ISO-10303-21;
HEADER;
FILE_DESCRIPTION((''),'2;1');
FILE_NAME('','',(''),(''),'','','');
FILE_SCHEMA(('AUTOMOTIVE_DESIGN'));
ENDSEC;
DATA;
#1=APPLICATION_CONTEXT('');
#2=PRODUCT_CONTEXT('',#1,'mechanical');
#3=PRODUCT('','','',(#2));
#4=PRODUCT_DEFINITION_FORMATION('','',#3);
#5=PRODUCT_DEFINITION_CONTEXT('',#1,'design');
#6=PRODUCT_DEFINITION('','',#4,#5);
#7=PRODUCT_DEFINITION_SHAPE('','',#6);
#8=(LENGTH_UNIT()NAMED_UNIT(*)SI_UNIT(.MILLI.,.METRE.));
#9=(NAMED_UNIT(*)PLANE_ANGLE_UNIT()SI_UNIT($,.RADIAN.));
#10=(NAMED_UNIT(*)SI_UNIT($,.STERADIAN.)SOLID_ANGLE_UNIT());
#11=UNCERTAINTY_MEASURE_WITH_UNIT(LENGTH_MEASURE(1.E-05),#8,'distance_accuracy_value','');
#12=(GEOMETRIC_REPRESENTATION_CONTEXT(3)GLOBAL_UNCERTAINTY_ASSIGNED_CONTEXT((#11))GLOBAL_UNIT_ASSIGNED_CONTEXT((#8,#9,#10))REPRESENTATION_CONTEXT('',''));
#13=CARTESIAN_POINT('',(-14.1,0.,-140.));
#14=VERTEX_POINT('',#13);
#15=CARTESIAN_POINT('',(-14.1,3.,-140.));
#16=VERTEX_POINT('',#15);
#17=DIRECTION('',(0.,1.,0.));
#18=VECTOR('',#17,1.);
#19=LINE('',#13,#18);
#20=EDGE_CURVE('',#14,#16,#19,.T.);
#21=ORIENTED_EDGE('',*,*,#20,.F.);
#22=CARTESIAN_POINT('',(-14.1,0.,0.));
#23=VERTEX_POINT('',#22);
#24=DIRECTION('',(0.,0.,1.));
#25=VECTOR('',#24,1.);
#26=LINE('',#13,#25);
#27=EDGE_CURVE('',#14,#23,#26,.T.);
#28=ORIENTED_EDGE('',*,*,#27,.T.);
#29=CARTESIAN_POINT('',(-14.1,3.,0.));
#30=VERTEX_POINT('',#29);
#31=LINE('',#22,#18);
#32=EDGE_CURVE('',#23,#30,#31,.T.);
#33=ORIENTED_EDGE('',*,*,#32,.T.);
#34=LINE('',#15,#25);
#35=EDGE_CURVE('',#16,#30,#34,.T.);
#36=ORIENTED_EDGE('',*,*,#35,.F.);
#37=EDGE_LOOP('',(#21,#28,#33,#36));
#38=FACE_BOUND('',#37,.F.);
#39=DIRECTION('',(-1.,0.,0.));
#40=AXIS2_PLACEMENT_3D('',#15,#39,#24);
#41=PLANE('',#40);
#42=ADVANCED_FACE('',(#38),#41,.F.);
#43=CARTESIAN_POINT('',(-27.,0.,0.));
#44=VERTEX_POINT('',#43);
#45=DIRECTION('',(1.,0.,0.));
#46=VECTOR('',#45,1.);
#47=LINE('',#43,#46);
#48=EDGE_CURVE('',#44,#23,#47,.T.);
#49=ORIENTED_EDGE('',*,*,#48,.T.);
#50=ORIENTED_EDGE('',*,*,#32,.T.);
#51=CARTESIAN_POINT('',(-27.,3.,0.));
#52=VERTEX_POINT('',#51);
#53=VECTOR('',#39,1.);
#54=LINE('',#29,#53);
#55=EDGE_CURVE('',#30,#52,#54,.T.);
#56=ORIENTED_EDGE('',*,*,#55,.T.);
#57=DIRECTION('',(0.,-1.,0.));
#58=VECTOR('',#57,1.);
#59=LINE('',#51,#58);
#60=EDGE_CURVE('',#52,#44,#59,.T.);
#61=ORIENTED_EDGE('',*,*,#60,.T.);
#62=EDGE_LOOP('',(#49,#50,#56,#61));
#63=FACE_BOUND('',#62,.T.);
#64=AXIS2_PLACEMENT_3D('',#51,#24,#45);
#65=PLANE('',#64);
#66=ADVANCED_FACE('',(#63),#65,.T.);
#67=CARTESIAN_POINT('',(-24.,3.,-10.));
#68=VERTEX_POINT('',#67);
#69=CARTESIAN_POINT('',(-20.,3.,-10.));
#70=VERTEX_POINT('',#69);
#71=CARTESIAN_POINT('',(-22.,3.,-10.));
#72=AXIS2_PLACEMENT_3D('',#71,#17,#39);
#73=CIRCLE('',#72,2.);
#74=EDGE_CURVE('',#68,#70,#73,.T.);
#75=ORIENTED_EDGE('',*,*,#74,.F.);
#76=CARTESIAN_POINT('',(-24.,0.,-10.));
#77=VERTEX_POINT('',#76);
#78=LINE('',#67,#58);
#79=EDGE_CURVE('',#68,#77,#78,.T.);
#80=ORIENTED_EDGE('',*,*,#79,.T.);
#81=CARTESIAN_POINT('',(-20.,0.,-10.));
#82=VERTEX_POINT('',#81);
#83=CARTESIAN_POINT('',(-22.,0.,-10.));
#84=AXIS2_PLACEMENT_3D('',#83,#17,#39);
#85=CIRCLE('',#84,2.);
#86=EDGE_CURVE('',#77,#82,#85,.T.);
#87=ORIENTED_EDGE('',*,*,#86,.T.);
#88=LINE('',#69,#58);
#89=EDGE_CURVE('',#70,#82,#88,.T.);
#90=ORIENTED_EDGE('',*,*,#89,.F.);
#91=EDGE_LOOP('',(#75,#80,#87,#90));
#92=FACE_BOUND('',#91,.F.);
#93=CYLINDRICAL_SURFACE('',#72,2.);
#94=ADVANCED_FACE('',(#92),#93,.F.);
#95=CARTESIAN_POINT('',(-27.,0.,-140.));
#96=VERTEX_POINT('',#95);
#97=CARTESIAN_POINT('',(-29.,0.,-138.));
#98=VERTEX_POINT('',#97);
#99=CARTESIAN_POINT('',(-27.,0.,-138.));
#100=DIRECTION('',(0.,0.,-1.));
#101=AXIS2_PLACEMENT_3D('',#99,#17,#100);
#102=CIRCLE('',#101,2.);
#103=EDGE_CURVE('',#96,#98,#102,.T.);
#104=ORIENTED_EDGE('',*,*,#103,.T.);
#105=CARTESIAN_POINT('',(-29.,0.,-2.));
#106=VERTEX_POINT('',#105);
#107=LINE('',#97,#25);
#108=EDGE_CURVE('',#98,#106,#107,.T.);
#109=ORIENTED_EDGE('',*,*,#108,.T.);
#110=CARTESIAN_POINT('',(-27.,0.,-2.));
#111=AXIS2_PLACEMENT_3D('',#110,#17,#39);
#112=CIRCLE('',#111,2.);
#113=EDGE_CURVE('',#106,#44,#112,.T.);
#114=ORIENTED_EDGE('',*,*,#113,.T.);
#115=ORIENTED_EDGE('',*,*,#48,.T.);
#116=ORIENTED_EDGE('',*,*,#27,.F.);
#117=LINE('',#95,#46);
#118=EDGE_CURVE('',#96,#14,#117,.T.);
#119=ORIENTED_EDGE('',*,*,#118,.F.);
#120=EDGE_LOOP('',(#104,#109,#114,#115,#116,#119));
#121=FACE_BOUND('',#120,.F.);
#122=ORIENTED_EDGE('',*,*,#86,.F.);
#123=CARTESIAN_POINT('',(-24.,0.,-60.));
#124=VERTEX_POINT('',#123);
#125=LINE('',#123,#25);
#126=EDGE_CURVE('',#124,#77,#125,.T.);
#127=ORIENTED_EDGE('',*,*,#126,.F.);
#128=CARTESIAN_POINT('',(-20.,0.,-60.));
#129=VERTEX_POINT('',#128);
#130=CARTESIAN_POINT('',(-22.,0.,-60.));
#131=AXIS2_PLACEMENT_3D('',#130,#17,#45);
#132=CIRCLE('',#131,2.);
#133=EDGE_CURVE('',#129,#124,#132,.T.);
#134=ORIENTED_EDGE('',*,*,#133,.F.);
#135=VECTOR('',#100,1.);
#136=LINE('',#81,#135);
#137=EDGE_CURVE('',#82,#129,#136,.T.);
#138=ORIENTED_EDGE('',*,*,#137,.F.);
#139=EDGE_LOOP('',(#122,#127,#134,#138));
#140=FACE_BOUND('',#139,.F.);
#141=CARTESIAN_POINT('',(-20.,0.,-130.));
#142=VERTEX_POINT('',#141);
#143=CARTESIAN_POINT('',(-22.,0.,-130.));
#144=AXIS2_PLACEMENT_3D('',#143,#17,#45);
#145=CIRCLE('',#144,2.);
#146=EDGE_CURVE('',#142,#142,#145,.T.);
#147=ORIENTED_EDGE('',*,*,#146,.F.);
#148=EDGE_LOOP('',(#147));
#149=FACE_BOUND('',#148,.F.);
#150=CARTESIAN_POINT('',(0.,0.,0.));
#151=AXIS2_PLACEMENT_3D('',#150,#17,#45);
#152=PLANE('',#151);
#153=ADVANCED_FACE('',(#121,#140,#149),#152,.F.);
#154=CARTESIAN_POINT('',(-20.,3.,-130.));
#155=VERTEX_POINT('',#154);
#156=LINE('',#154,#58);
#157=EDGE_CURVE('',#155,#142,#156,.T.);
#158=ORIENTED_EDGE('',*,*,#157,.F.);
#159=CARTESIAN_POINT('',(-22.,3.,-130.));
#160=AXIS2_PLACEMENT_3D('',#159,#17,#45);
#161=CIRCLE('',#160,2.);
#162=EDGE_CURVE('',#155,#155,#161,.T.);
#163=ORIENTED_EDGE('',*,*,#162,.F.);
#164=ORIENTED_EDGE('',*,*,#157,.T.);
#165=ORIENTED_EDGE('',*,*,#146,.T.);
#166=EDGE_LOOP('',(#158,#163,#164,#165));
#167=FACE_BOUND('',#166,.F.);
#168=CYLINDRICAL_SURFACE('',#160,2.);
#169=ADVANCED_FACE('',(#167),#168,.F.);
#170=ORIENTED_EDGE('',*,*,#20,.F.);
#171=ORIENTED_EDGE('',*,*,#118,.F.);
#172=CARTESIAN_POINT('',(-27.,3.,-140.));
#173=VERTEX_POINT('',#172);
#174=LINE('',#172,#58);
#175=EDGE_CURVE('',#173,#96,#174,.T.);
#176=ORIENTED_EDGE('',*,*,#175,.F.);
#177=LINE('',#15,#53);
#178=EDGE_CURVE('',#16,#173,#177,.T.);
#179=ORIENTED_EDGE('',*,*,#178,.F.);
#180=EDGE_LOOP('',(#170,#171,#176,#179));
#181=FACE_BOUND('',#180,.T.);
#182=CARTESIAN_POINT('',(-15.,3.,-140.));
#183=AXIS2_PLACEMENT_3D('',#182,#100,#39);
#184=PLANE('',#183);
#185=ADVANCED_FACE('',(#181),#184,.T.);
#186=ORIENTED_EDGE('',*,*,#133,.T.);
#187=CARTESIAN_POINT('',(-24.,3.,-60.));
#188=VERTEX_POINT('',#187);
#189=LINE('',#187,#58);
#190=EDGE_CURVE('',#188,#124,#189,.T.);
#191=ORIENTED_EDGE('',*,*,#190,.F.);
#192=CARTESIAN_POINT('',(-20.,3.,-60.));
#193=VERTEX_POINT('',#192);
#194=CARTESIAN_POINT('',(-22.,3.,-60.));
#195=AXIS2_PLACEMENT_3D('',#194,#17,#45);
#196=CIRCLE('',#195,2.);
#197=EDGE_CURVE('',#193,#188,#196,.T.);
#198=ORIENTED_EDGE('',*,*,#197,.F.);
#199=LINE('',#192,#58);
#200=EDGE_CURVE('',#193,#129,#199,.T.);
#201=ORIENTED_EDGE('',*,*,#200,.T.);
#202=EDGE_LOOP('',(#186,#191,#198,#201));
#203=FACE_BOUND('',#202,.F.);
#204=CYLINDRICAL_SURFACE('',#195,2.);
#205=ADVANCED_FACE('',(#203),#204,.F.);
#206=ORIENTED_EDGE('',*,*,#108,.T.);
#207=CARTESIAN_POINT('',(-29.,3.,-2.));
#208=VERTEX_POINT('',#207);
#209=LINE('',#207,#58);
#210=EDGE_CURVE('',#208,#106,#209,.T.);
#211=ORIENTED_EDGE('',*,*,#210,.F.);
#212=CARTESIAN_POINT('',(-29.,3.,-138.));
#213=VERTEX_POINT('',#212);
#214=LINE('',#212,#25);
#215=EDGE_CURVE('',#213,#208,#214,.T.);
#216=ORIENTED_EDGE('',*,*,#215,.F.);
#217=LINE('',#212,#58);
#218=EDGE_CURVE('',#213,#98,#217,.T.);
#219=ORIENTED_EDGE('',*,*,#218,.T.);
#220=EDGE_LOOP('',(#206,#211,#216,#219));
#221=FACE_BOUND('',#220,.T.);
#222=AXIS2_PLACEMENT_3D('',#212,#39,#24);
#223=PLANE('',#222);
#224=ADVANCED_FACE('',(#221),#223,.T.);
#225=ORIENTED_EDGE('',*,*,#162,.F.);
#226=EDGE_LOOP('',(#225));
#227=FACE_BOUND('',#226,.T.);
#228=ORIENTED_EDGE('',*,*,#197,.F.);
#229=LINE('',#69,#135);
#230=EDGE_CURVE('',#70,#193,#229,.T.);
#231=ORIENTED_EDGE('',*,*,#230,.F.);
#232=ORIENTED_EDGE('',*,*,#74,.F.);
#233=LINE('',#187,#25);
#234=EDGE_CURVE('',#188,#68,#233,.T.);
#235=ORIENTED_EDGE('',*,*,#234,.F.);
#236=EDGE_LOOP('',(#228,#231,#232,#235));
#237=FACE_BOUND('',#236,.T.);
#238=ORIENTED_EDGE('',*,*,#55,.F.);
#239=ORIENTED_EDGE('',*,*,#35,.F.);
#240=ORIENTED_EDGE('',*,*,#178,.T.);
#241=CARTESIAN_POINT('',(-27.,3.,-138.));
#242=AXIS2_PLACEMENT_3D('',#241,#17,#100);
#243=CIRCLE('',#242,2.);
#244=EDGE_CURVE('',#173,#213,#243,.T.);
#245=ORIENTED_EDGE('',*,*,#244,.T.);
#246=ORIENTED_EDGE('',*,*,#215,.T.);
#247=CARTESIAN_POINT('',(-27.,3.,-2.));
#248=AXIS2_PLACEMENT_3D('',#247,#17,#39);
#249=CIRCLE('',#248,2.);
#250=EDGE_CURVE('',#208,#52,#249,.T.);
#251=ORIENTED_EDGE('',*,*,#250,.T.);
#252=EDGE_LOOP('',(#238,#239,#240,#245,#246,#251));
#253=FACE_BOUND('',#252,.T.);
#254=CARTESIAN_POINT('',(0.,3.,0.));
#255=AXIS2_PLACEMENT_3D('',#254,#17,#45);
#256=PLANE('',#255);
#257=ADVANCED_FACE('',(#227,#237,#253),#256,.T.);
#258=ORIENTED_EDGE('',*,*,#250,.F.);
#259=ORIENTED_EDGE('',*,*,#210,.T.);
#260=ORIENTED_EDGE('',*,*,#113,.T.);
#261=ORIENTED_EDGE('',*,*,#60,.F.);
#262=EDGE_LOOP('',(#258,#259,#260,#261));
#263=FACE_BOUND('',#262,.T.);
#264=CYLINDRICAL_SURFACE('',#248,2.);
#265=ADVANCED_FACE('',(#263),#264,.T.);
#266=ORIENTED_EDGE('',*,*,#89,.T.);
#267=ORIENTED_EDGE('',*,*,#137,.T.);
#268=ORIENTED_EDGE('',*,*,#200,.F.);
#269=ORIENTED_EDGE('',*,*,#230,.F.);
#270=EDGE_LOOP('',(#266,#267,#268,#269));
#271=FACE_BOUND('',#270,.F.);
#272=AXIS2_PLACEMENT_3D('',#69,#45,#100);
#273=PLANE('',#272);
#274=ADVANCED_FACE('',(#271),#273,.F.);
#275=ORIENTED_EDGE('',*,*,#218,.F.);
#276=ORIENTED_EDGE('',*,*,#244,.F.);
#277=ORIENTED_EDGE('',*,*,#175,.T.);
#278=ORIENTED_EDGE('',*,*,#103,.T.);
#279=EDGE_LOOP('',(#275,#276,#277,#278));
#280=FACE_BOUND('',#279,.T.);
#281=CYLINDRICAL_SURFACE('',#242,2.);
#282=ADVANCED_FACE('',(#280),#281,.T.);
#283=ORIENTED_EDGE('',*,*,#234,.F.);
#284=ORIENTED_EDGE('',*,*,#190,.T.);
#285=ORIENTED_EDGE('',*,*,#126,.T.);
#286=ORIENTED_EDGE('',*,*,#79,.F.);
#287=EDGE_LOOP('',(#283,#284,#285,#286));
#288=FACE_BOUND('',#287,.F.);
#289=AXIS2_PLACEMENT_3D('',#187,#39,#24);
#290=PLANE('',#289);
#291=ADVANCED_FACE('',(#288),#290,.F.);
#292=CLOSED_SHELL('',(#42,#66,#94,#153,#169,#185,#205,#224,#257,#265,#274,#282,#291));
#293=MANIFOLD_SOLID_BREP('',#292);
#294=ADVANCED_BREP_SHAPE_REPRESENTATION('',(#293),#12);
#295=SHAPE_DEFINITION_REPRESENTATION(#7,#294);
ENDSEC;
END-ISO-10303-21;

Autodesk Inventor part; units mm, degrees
ref_plane "YZ Plane" through (0, 0, 0) normal (1, 0, 0) x (0, 1, 0)
ref_plane "XZ Plane" through (0, 0, 0) normal (0, 1, 0) x (-1, 0, 0)
ref_plane "XY Plane" through (0, 0, 0) normal (0, 0, 1) x (1, 0, 0)
sketch "草圖1" plane through (0, 0, 0) normal (0, 1, 0) x (-1, 0, 0)
  line L0 (0, 0) -> (0, -140)
  line L1 (15, -140) -> (15, 0)
  line L2 (6, 0) -> (6, 3)
  line L3 (6, 3) -> (14.1, 3)
  line L4 (14.1, 3) -> (14.1, 0)
  line L5 (15, 0) -> (14.1, 0)
  line L6 (6, 0) -> (0, 0)
  line L7 (6, -140) -> (6, -143)
  line L8 (6, -143) -> (14.1, -143)
  line L9 (14.1, -143) -> (14.1, -140)
  line L10 (0, -140) -> (6, -140)
  line L11 (14.1, -140) -> (15, -140)
  dimension "d1" = 15
  dimension "d2" = 3
  dimension "d3" = 8.1
  dimension "d4" = 6
  dimension "d5" = 3
  dimension "d6" = 140
  dimension "d7" = 6
  dimension "d8" = 8.1
  dimension "d9" = 15
  dimension "d10" = 140
extrude "擠出1" add sketch "草圖1" along normal blind 3
sketch "草圖2" plane through (0, 3, 0) normal (0, 1, 0) x (1, 0, 0)
  line L0 (-11, 1) -> (-8, 1)
  line L1 (-8, 1) -> (-8, 7)
  line L2 (-8, 7) -> (-11, 7)
  line L3 (-11, 7) -> (-11, 1)
  line L4 (0, 0) -> (0, 140) projected
  line L5 (-6, 0) -> (0, 0) projected
  line L6 (-11, 133) -> (-8, 133)
  line L7 (-8, 133) -> (-8, 139)
  line L8 (-8, 139) -> (-11, 139)
  line L9 (-11, 139) -> (-11, 133)
  line L10 (0, 140) -> (-6, 140) projected
  line L11 (-15, 140) -> (-15, 0) projected
  dimension "d13" = 6
  dimension "d14" = 3
  dimension "d16" = 1
  dimension "d17" = 6
  dimension "d18" = 3
  dimension "d20" = 1
  dimension "d33" = 4
  dimension "d34" = 4
extrude "擠出2" cut sketch "草圖2" against normal up to surface (3 mm away)
sketch "草圖4" plane through (0, 3, 0) normal (0, 1, 0) x (1, 0, 0)
  line L0 (-27, 0) -> (-15, 0)
  line L1 (-15, 0) -> (-15, 140)
  line L2 (-15, 140) -> (-27, 140)
  line L3 (-29, 138) -> (-29, 2)
  line L4 (-15, 140) -> (-15, 0) projected
  line L5 (0, 140) -> (-6, 140) projected
  line L6 (-6, 0) -> (0, 0) projected
  line L7 (-22, 10) -> (-22, 60) construction
  line L8 (-20, 10) -> (-20, 60)
  line L9 (-24, 60) -> (-24, 10)
  arc A0 (-24, 10) -> (-20, 10) centre (-22, 10) ccw
  arc A1 (-20, 60) -> (-24, 60) centre (-22, 60) ccw
  circle A2 centre (-22, 130) radius 2
  arc A3 (-29, 2) -> (-27, 0) centre (-27, 2) ccw
  arc A4 (-27, 140) -> (-29, 138) centre (-27, 138) ccw
  point P0 (-22, 35)
  dimension "d23" = 14
  dimension "d24" = 4
  dimension "d25" = 50
  dimension "d26" = 5
  dimension "d27" = 10
  dimension "d29" = 2
  dimension "d32" = 10
extrude "擠出3" add sketch "草圖4" against normal up to surface (3 mm away)
sketch "草圖6" plane through (0, 3, 0) normal (0, 1, 0) x (1, 0, 0)
  circle A0 centre (-22, 130) radius 2 projected
  arc A1 (-24, 10) -> (-20, 10) centre (-22, 10) ccw projected
  line L0 (-24, 10) -> (-24, 60) projected
  arc A2 (-20, 60) -> (-24, 60) centre (-22, 60) ccw projected
  line L1 (-20, 60) -> (-20, 10) projected
  line L2 (-8, 7) -> (-8, 1) projected
  line L3 (-8, 1) -> (-11, 1) projected
  line L4 (-11, 1) -> (-11, 7) projected
  line L5 (-11, 7) -> (-8, 7) projected
  line L6 (-8, 133) -> (-11, 133) projected
  line L7 (-11, 133) -> (-11, 139) projected
  line L8 (-11, 139) -> (-8, 139) projected
  line L9 (-8, 139) -> (-8, 133) projected
  line L10 (0, 0) -> (0, 140) projected
  line L11 (0, 140) -> (-6, 140) projected
  line L12 (-6, 140) -> (-6, 143) projected
  line L13 (-6, 143) -> (-14.1, 143) projected
  line L14 (-14.1, 143) -> (-14.1, 140) projected
  line L15 (-14.1, 140) -> (-27, 140) projected
  arc A3 (-27, 140) -> (-29, 138) centre (-27, 138) ccw projected
  line L16 (-29, 138) -> (-29, 2) projected
  arc A4 (-29, 2) -> (-27, 0) centre (-27, 2) ccw projected
  line L17 (-27, 0) -> (-14.1, 0) projected
  line L18 (-14.1, 0) -> (-14.1, -3) projected
  line L19 (-14.1, -3) -> (-6, -3) projected
  line L20 (-6, -3) -> (-6, 0) projected
  line L21 (-6, 0) -> (0, 0) projected
  line L22 (-6, 140) -> (-6, 143) projected
  line L23 (-6, 0) -> (-6, 140)
extrude "擠出4" cut sketch "草圖6" against normal blind 3 contours L21 L23 L11 L10
ref_plane "工作平面1" through (-22, 3, -10) normal (1, 0, 0) x (0, 0, -1)
sketch "草圖8" plane through (0, 3, 0) normal (0, 1, 0) x (1, 0, 0)
  line L0 (-14.1, 140) -> (-27, 140) projected
  line L1 (-14.1, 140) -> (-14.1, 0)
  line L2 (-6, -3) -> (-6, 143) projected
  line L3 (-6, 143) -> (-14.1, 143) projected
  line L4 (-14.1, 143) -> (-14.1, 140) projected
  line L5 (-14.1, 140) -> (-27, 140) projected
  arc A0 (-27, 140) -> (-29, 138) centre (-27, 138) ccw projected
  line L6 (-29, 138) -> (-29, 2) projected
  arc A1 (-29, 2) -> (-27, 0) centre (-27, 2) ccw projected
  line L7 (-27, 0) -> (-14.1, 0) projected
  line L8 (-14.1, 0) -> (-14.1, -3) projected
  line L9 (-14.1, -3) -> (-6, -3) projected
  circle A2 centre (-22, 130) radius 2 projected
  arc A3 (-24, 10) -> (-20, 10) centre (-22, 10) ccw projected
  line L10 (-24, 10) -> (-24, 60) projected
  arc A4 (-20, 60) -> (-24, 60) centre (-22, 60) ccw projected
  line L11 (-20, 60) -> (-20, 10) projected
  line L12 (-8, 7) -> (-8, 1) projected
  line L13 (-8, 1) -> (-11, 1) projected
  line L14 (-11, 1) -> (-11, 7) projected
  line L15 (-11, 7) -> (-8, 7) projected
  line L16 (-8, 133) -> (-11, 133) projected
  line L17 (-11, 133) -> (-11, 139) projected
  line L18 (-11, 139) -> (-8, 139) projected
  line L19 (-8, 139) -> (-8, 133) projected
  point P0 (0, 0)
extrude "擠出5" cut sketch "草圖8" against normal up to surface (3 mm away) contours L4 L3 L2 L9 L8 L1
equation "\"d10\" = d6"
equation "\"d20\" = d16"
properties part number "chassis_1_2_up"
